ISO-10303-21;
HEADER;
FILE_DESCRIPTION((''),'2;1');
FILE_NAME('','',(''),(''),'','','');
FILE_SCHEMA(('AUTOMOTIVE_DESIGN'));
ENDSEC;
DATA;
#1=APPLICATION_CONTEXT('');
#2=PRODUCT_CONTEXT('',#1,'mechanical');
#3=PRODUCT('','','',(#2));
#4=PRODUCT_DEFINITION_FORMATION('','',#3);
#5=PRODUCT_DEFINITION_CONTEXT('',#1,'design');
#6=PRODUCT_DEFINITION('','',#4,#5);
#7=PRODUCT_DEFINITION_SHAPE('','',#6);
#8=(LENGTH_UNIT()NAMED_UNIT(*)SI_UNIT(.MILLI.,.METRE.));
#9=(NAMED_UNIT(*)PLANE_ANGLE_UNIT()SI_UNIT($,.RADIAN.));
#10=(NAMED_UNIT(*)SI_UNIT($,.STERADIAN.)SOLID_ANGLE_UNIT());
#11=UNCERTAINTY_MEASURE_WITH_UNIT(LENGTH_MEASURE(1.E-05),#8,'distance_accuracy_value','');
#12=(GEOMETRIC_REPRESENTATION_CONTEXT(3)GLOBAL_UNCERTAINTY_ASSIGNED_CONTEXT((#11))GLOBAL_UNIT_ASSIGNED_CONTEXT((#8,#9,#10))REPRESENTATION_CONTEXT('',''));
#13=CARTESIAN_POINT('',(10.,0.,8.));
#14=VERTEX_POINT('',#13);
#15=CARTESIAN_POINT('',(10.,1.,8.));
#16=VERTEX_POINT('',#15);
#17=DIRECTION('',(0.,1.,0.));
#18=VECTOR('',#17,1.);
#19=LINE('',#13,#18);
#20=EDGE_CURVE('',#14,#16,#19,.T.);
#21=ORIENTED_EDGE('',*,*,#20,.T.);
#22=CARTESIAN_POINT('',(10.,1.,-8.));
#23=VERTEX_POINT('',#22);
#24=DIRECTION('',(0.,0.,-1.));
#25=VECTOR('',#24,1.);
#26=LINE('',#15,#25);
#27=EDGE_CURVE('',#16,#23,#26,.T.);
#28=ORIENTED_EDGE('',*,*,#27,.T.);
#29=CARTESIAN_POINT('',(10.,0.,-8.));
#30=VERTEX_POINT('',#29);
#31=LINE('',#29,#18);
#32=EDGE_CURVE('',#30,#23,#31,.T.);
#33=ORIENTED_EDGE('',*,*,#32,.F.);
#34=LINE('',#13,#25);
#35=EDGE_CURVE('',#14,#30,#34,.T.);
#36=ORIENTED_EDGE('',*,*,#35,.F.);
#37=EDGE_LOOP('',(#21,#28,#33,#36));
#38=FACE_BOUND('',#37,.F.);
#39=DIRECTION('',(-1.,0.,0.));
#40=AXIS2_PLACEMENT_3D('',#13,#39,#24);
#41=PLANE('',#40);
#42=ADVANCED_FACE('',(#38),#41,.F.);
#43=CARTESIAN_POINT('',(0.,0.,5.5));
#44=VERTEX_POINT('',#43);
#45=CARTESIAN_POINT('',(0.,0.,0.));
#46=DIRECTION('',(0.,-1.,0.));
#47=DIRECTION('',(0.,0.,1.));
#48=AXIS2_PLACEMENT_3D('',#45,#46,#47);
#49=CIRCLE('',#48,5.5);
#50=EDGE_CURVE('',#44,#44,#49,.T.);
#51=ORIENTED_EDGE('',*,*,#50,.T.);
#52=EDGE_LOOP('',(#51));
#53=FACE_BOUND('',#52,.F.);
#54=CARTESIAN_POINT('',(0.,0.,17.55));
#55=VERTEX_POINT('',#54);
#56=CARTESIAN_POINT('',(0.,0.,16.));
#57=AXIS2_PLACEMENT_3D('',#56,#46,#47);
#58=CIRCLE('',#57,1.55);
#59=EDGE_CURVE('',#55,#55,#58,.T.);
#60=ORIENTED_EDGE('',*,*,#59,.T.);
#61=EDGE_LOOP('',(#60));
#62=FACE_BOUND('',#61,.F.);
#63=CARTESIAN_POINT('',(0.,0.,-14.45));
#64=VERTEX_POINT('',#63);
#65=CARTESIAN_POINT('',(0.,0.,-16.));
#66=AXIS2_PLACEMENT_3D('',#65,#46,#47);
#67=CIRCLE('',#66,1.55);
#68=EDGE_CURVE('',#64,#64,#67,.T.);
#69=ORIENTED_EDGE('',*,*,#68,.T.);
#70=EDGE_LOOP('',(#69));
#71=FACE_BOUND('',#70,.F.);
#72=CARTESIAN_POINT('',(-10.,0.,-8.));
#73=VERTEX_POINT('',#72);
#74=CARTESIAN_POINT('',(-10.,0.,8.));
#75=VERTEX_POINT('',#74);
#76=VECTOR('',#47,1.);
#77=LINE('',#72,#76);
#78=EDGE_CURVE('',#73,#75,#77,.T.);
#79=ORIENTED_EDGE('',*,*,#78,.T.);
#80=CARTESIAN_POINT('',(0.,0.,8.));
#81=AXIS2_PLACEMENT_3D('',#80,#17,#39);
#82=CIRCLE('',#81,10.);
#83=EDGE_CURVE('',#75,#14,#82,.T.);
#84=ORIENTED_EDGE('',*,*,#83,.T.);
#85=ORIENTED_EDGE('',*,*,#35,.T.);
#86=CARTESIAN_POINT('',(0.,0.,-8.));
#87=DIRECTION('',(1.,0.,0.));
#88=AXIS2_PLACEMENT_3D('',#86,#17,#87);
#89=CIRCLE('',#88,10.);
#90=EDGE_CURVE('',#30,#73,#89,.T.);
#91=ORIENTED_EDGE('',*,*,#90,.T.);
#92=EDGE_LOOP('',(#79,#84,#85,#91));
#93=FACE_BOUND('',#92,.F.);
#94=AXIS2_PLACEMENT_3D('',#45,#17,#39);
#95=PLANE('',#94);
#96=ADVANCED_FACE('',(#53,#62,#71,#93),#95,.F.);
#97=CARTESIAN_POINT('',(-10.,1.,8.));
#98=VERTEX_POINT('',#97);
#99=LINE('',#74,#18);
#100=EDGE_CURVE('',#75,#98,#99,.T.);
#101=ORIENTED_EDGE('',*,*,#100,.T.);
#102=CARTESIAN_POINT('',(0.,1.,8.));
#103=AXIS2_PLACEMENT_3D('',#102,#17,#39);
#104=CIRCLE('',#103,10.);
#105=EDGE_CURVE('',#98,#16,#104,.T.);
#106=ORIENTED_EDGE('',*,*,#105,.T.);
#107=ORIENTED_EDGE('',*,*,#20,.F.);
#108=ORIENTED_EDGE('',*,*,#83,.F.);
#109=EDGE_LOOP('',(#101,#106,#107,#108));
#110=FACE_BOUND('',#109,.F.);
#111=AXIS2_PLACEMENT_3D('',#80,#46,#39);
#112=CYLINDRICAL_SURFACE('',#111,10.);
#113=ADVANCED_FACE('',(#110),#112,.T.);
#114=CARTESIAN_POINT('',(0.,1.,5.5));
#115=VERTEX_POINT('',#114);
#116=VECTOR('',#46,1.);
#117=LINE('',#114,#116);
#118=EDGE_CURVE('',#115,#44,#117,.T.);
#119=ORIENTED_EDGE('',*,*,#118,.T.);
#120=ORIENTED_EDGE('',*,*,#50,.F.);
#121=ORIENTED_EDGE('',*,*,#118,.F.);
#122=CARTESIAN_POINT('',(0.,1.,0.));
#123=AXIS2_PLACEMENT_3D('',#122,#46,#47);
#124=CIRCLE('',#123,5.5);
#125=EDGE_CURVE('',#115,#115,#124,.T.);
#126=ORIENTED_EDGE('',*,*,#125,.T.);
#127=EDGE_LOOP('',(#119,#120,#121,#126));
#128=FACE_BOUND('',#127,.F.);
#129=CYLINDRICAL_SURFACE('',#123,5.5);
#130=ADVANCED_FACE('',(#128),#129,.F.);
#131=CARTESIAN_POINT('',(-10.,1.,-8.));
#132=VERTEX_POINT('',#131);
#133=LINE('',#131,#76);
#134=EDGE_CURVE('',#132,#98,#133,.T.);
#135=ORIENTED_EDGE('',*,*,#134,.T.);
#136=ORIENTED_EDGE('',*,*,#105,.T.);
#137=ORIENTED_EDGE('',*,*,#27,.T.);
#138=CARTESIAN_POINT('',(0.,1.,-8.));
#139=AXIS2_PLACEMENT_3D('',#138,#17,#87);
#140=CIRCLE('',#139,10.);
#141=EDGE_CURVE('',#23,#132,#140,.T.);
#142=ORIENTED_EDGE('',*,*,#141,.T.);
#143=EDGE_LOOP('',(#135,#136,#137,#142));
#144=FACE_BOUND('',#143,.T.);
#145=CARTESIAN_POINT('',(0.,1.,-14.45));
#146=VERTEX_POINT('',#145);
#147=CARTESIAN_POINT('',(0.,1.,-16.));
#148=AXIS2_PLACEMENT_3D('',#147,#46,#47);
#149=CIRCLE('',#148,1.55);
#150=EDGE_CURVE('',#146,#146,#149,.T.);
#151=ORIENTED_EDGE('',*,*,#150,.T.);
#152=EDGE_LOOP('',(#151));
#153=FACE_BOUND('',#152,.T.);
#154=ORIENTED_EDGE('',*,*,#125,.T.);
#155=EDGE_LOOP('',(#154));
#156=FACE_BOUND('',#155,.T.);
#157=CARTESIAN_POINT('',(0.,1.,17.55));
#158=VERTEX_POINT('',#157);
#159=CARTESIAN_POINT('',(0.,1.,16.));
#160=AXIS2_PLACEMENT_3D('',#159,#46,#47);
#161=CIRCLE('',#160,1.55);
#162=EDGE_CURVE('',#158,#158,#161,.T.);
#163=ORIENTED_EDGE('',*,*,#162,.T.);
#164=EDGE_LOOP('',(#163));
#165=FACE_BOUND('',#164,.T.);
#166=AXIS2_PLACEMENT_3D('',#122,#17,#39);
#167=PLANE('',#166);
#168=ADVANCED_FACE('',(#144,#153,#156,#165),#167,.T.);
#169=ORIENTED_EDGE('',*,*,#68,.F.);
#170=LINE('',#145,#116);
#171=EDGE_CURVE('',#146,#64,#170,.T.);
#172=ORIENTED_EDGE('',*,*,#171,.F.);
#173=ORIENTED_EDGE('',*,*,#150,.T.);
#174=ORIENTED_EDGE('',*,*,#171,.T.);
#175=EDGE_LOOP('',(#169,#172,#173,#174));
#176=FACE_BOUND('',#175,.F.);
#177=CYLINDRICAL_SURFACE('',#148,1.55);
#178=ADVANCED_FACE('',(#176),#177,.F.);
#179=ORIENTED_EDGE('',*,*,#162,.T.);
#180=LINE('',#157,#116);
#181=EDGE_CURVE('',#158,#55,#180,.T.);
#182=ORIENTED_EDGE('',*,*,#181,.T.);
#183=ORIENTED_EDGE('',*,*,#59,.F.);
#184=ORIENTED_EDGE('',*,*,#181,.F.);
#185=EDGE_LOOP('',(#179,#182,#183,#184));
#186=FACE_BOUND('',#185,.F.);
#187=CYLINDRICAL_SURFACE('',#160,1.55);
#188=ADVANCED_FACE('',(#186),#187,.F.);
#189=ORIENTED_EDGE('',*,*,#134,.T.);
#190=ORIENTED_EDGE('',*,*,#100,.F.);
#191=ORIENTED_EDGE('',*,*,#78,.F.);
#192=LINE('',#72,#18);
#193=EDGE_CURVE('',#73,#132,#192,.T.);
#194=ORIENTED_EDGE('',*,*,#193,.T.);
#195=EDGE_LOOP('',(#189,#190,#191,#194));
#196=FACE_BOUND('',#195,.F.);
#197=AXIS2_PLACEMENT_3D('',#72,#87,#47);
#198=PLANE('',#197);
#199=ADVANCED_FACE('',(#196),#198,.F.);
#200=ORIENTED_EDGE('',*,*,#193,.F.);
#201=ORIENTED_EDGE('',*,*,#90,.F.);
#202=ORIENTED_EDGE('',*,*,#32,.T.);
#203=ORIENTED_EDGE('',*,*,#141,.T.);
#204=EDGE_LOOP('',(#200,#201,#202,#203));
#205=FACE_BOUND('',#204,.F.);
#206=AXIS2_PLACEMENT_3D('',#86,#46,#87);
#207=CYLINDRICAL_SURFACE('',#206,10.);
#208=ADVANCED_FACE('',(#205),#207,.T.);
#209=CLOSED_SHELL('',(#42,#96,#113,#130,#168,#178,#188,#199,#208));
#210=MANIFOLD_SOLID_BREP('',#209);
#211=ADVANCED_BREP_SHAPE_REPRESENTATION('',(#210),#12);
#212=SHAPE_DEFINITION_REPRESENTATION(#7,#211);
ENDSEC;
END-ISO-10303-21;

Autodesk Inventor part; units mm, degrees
ref_plane "YZ Plane" through (0, 0, 0) normal (1, 0, 0) x (0, 1, 0)
ref_plane "XZ Plane" through (0, 0, 0) normal (0, 1, 0) x (-1, 0, 0)
ref_plane "XY Plane" through (0, 0, 0) normal (0, 0, 1) x (1, 0, 0)
sketch "Skizze1" plane through (0, 0, 0) normal (0, 1, 0) x (-1, 0, 0)
  line L0 (0, 8) -> (0, -8) construction
  line L1 (-10, 8) -> (-10, -8)
  line L2 (10, -8) -> (10, 8)
  arc A0 (10, 8) -> (-10, 8) centre (0, 8) ccw
  arc A1 (-10, -8) -> (10, -8) centre (0, -8) ccw
  point P0 (0, 0)
  point P1 (0, 0)
  dimension "d0" = 10
  dimension "d1" = 16
extrude "Extrusion1" add sketch "Skizze1" along normal blind 1
sketch "Skizze2" plane through (0, 1, 0) normal (0, 1, 0) x (1, 0, 0)
  point P0 (0, 0)
  point P1 (0, -16)
  point P2 (0, 16)
  dimension "d11" = 32
  dimension "d12" = 16
hole "Bohrung1" at (0, 1, 16) at (0, 1, -16) direction (0, -1, 0) diameter 3.1 depth 1
hole "Bohrung2" at (0, 1, 0) direction (0, -1, 0) diameter 11 depth 1
properties part number "Deckscheibe"
